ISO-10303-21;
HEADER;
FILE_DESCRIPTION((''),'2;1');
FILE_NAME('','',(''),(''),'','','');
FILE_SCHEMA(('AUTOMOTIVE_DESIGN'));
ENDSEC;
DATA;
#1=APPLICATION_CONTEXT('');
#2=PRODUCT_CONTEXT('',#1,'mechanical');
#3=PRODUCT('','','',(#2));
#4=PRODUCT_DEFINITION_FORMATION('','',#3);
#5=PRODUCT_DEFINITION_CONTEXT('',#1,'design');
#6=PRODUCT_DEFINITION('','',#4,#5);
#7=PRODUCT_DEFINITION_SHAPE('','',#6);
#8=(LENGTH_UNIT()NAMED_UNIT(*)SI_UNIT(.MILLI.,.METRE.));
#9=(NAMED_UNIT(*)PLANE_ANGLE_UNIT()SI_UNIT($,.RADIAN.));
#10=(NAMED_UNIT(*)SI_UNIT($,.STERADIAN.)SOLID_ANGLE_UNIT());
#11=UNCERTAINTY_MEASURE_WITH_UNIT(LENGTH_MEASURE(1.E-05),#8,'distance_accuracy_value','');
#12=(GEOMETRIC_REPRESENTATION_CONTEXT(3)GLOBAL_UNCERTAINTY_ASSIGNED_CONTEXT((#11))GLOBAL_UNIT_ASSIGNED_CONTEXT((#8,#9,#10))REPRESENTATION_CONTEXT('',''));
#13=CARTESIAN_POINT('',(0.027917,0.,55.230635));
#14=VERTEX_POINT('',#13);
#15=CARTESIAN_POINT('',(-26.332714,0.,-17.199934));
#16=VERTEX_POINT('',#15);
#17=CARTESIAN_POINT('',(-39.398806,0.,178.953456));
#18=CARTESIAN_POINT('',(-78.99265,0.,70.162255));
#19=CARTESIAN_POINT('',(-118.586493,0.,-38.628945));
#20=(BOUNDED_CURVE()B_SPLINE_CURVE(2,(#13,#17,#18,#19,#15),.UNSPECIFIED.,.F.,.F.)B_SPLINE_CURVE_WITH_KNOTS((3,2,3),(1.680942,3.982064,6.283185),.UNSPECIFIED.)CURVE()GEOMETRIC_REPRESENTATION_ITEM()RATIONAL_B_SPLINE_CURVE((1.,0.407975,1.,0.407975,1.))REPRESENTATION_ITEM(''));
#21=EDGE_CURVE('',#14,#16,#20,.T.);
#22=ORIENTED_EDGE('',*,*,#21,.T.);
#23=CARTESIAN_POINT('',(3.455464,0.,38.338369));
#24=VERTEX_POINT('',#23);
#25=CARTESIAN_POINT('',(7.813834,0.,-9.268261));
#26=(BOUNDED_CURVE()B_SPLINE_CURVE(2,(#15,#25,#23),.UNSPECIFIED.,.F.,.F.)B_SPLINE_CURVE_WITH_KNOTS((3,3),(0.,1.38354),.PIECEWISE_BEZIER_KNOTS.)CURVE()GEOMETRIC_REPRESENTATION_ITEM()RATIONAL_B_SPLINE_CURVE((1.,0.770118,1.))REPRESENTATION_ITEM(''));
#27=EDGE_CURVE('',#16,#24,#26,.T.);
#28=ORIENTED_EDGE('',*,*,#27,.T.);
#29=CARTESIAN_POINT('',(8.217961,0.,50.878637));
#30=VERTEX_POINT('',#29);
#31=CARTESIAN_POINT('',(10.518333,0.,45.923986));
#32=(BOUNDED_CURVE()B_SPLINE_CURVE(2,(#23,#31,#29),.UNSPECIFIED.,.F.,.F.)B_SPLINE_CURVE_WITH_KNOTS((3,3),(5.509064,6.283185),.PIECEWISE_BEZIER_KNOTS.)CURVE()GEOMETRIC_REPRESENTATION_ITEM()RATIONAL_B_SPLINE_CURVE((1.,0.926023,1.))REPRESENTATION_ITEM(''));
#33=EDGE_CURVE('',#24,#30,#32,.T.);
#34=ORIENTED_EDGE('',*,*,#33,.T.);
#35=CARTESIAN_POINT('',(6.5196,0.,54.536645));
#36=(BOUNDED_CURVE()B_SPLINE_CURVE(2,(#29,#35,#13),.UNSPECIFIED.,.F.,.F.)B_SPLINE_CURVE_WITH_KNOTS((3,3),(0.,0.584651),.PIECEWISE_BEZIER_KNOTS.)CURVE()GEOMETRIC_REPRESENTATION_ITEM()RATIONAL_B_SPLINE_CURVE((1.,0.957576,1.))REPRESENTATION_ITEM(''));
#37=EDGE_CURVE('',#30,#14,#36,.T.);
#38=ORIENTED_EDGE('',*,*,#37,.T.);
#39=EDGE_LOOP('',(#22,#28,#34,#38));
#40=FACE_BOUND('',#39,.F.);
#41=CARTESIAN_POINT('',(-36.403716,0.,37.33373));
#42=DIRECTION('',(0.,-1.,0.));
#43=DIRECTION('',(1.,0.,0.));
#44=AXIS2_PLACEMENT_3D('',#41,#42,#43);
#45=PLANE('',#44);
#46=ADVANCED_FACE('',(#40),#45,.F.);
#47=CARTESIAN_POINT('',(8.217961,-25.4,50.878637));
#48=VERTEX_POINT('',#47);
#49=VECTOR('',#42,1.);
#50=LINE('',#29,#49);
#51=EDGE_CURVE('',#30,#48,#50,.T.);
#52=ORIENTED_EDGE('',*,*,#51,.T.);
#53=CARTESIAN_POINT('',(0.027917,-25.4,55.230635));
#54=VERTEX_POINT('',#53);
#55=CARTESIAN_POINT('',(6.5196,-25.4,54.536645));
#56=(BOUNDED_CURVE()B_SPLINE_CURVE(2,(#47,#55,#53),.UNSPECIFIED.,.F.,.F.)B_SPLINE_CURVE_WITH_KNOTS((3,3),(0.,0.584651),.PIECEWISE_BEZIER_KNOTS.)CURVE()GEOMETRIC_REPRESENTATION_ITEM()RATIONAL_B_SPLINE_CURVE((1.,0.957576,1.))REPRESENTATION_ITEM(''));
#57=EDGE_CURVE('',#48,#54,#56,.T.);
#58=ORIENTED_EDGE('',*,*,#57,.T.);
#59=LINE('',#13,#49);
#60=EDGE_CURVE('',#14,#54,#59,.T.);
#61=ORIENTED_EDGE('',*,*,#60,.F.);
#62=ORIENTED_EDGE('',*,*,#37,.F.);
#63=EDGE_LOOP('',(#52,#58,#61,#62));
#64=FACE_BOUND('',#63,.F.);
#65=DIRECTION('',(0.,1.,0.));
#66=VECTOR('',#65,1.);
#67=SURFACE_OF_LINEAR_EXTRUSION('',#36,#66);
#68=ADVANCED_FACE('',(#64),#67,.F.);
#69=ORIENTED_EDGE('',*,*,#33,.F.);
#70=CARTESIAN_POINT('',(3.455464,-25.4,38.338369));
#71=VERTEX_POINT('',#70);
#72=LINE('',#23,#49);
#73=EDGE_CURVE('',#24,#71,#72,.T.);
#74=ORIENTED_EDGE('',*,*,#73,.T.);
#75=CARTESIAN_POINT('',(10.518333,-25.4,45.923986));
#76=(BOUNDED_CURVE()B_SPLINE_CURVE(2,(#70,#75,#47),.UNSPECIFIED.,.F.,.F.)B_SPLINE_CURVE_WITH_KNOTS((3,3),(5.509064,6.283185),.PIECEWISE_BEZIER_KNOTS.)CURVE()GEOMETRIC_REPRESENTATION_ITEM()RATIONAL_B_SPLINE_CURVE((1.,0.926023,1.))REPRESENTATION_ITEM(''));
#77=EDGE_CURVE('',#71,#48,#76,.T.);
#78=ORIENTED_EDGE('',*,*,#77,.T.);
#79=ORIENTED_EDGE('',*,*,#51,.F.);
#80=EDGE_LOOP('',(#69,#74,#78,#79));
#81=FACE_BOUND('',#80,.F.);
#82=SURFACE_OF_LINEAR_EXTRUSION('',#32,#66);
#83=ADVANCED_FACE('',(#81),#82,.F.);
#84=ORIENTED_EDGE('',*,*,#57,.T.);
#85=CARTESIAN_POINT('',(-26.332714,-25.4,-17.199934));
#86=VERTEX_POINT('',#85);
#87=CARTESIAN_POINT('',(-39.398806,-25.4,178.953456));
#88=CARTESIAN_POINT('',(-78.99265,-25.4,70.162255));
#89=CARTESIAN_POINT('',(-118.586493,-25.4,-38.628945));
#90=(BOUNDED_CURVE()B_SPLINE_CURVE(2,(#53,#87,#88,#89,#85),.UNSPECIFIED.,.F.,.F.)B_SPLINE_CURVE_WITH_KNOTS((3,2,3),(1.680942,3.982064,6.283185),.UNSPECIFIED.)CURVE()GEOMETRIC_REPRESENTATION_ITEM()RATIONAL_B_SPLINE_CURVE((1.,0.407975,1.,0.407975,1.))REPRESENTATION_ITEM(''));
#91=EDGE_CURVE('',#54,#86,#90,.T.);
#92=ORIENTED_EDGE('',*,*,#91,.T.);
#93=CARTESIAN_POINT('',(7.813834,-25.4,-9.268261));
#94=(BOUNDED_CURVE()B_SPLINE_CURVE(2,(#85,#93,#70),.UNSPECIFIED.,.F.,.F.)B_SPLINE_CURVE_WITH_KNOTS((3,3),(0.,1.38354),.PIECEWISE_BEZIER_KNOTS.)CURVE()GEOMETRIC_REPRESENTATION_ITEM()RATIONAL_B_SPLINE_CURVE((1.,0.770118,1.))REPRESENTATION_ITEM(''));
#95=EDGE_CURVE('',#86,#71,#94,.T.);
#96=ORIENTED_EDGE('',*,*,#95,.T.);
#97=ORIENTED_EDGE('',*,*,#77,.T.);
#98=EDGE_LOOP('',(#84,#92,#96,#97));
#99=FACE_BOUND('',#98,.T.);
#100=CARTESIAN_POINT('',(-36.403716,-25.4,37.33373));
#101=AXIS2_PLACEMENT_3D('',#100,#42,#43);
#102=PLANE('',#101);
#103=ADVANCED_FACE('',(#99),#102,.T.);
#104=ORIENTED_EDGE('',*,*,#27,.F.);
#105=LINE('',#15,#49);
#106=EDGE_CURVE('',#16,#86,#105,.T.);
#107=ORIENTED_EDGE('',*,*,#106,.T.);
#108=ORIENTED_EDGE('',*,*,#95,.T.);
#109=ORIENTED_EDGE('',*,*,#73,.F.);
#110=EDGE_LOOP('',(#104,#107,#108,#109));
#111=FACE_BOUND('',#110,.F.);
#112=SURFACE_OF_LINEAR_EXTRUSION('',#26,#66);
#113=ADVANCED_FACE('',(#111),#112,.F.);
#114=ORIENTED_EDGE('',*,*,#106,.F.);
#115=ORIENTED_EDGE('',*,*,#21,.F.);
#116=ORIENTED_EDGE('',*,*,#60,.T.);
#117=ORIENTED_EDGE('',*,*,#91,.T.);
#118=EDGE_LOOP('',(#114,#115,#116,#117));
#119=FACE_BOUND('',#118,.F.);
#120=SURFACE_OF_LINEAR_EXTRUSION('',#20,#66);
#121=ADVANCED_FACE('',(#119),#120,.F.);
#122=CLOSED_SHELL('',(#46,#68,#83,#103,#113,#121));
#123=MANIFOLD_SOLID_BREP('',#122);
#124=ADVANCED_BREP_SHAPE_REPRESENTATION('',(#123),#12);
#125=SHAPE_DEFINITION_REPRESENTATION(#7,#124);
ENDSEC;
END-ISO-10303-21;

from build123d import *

# Parameters (mm, degrees)
F1_DEPTH = 25.4


with BuildPart() as f1:
    # F0 (on Front) → F1 (new body)
    with BuildSketch(Plane.XZ):
        with BuildLine():
            add(Edge.make_bspline(
                [(0.027917, 55.230635), (-39.398806, 178.953456), (-78.99265, 70.162255), (-118.586493, -38.628945), (-26.332714, -17.199934)],
                knots=[1.680942, 1.680942, 1.680942, 3.982064, 3.982064, 6.283185, 6.283185, 6.283185], degree=2, weights=[1, 0.407975, 1, 0.407975, 1]))
            add(Edge.make_bspline(
                [(-26.332714, -17.199934), (7.813834, -9.268261), (3.455464, 38.338369)],
                knots=[0, 0, 0, 1.38354, 1.38354, 1.38354], degree=2, weights=[1, 0.770118, 1]))
            add(Edge.make_bspline(
                [(0.027917, 55.230635), (-61.01152, 61.756019), (-53.293263, 23.717495), (-45.575005, -14.321029), (3.455464, 38.338369)],
                knots=[0.584651, 0.584651, 0.584651, 3.046858, 3.046858, 5.509064, 5.509064, 5.509064], degree=2, weights=[1, 0.333198, 1, 0.333198, 1]))
        make_face()
        with BuildLine():
            add(Edge.make_bspline(
                [(3.455464, 38.338369), (2.667221, 46.948379), (0.027917, 55.230635)],
                knots=[1.38354, 1.38354, 1.38354, 1.680942, 1.680942, 1.680942], degree=2, weights=[1, 0.988964, 1]))
            add(Edge.make_bspline(
                [(3.455464, 38.338369), (10.518333, 45.923986), (8.217961, 50.878637)],
                knots=[5.509064, 5.509064, 5.509064, 6.283185, 6.283185, 6.283185], degree=2, weights=[1, 0.926023, 1]))
            add(Edge.make_bspline(
                [(8.217961, 50.878637), (6.5196, 54.536645), (0.027917, 55.230635)],
                knots=[0, 0, 0, 0.584651, 0.584651, 0.584651], degree=2, weights=[1, 0.957576, 1]))
        make_face()
        with BuildLine():
            add(Edge.make_bspline(
                [(0.027917, 55.230635), (-61.01152, 61.756019), (-53.293263, 23.717495), (-45.575005, -14.321029), (3.455464, 38.338369)],
                knots=[0.584651, 0.584651, 0.584651, 3.046858, 3.046858, 5.509064, 5.509064, 5.509064], degree=2, weights=[1, 0.333198, 1, 0.333198, 1]))
            add(Edge.make_bspline(
                [(3.455464, 38.338369), (2.667221, 46.948379), (0.027917, 55.230635)],
                knots=[1.38354, 1.38354, 1.38354, 1.680942, 1.680942, 1.680942], degree=2, weights=[1, 0.988964, 1]))
        make_face()
    extrude(amount=F1_DEPTH)


solid = f1.part
